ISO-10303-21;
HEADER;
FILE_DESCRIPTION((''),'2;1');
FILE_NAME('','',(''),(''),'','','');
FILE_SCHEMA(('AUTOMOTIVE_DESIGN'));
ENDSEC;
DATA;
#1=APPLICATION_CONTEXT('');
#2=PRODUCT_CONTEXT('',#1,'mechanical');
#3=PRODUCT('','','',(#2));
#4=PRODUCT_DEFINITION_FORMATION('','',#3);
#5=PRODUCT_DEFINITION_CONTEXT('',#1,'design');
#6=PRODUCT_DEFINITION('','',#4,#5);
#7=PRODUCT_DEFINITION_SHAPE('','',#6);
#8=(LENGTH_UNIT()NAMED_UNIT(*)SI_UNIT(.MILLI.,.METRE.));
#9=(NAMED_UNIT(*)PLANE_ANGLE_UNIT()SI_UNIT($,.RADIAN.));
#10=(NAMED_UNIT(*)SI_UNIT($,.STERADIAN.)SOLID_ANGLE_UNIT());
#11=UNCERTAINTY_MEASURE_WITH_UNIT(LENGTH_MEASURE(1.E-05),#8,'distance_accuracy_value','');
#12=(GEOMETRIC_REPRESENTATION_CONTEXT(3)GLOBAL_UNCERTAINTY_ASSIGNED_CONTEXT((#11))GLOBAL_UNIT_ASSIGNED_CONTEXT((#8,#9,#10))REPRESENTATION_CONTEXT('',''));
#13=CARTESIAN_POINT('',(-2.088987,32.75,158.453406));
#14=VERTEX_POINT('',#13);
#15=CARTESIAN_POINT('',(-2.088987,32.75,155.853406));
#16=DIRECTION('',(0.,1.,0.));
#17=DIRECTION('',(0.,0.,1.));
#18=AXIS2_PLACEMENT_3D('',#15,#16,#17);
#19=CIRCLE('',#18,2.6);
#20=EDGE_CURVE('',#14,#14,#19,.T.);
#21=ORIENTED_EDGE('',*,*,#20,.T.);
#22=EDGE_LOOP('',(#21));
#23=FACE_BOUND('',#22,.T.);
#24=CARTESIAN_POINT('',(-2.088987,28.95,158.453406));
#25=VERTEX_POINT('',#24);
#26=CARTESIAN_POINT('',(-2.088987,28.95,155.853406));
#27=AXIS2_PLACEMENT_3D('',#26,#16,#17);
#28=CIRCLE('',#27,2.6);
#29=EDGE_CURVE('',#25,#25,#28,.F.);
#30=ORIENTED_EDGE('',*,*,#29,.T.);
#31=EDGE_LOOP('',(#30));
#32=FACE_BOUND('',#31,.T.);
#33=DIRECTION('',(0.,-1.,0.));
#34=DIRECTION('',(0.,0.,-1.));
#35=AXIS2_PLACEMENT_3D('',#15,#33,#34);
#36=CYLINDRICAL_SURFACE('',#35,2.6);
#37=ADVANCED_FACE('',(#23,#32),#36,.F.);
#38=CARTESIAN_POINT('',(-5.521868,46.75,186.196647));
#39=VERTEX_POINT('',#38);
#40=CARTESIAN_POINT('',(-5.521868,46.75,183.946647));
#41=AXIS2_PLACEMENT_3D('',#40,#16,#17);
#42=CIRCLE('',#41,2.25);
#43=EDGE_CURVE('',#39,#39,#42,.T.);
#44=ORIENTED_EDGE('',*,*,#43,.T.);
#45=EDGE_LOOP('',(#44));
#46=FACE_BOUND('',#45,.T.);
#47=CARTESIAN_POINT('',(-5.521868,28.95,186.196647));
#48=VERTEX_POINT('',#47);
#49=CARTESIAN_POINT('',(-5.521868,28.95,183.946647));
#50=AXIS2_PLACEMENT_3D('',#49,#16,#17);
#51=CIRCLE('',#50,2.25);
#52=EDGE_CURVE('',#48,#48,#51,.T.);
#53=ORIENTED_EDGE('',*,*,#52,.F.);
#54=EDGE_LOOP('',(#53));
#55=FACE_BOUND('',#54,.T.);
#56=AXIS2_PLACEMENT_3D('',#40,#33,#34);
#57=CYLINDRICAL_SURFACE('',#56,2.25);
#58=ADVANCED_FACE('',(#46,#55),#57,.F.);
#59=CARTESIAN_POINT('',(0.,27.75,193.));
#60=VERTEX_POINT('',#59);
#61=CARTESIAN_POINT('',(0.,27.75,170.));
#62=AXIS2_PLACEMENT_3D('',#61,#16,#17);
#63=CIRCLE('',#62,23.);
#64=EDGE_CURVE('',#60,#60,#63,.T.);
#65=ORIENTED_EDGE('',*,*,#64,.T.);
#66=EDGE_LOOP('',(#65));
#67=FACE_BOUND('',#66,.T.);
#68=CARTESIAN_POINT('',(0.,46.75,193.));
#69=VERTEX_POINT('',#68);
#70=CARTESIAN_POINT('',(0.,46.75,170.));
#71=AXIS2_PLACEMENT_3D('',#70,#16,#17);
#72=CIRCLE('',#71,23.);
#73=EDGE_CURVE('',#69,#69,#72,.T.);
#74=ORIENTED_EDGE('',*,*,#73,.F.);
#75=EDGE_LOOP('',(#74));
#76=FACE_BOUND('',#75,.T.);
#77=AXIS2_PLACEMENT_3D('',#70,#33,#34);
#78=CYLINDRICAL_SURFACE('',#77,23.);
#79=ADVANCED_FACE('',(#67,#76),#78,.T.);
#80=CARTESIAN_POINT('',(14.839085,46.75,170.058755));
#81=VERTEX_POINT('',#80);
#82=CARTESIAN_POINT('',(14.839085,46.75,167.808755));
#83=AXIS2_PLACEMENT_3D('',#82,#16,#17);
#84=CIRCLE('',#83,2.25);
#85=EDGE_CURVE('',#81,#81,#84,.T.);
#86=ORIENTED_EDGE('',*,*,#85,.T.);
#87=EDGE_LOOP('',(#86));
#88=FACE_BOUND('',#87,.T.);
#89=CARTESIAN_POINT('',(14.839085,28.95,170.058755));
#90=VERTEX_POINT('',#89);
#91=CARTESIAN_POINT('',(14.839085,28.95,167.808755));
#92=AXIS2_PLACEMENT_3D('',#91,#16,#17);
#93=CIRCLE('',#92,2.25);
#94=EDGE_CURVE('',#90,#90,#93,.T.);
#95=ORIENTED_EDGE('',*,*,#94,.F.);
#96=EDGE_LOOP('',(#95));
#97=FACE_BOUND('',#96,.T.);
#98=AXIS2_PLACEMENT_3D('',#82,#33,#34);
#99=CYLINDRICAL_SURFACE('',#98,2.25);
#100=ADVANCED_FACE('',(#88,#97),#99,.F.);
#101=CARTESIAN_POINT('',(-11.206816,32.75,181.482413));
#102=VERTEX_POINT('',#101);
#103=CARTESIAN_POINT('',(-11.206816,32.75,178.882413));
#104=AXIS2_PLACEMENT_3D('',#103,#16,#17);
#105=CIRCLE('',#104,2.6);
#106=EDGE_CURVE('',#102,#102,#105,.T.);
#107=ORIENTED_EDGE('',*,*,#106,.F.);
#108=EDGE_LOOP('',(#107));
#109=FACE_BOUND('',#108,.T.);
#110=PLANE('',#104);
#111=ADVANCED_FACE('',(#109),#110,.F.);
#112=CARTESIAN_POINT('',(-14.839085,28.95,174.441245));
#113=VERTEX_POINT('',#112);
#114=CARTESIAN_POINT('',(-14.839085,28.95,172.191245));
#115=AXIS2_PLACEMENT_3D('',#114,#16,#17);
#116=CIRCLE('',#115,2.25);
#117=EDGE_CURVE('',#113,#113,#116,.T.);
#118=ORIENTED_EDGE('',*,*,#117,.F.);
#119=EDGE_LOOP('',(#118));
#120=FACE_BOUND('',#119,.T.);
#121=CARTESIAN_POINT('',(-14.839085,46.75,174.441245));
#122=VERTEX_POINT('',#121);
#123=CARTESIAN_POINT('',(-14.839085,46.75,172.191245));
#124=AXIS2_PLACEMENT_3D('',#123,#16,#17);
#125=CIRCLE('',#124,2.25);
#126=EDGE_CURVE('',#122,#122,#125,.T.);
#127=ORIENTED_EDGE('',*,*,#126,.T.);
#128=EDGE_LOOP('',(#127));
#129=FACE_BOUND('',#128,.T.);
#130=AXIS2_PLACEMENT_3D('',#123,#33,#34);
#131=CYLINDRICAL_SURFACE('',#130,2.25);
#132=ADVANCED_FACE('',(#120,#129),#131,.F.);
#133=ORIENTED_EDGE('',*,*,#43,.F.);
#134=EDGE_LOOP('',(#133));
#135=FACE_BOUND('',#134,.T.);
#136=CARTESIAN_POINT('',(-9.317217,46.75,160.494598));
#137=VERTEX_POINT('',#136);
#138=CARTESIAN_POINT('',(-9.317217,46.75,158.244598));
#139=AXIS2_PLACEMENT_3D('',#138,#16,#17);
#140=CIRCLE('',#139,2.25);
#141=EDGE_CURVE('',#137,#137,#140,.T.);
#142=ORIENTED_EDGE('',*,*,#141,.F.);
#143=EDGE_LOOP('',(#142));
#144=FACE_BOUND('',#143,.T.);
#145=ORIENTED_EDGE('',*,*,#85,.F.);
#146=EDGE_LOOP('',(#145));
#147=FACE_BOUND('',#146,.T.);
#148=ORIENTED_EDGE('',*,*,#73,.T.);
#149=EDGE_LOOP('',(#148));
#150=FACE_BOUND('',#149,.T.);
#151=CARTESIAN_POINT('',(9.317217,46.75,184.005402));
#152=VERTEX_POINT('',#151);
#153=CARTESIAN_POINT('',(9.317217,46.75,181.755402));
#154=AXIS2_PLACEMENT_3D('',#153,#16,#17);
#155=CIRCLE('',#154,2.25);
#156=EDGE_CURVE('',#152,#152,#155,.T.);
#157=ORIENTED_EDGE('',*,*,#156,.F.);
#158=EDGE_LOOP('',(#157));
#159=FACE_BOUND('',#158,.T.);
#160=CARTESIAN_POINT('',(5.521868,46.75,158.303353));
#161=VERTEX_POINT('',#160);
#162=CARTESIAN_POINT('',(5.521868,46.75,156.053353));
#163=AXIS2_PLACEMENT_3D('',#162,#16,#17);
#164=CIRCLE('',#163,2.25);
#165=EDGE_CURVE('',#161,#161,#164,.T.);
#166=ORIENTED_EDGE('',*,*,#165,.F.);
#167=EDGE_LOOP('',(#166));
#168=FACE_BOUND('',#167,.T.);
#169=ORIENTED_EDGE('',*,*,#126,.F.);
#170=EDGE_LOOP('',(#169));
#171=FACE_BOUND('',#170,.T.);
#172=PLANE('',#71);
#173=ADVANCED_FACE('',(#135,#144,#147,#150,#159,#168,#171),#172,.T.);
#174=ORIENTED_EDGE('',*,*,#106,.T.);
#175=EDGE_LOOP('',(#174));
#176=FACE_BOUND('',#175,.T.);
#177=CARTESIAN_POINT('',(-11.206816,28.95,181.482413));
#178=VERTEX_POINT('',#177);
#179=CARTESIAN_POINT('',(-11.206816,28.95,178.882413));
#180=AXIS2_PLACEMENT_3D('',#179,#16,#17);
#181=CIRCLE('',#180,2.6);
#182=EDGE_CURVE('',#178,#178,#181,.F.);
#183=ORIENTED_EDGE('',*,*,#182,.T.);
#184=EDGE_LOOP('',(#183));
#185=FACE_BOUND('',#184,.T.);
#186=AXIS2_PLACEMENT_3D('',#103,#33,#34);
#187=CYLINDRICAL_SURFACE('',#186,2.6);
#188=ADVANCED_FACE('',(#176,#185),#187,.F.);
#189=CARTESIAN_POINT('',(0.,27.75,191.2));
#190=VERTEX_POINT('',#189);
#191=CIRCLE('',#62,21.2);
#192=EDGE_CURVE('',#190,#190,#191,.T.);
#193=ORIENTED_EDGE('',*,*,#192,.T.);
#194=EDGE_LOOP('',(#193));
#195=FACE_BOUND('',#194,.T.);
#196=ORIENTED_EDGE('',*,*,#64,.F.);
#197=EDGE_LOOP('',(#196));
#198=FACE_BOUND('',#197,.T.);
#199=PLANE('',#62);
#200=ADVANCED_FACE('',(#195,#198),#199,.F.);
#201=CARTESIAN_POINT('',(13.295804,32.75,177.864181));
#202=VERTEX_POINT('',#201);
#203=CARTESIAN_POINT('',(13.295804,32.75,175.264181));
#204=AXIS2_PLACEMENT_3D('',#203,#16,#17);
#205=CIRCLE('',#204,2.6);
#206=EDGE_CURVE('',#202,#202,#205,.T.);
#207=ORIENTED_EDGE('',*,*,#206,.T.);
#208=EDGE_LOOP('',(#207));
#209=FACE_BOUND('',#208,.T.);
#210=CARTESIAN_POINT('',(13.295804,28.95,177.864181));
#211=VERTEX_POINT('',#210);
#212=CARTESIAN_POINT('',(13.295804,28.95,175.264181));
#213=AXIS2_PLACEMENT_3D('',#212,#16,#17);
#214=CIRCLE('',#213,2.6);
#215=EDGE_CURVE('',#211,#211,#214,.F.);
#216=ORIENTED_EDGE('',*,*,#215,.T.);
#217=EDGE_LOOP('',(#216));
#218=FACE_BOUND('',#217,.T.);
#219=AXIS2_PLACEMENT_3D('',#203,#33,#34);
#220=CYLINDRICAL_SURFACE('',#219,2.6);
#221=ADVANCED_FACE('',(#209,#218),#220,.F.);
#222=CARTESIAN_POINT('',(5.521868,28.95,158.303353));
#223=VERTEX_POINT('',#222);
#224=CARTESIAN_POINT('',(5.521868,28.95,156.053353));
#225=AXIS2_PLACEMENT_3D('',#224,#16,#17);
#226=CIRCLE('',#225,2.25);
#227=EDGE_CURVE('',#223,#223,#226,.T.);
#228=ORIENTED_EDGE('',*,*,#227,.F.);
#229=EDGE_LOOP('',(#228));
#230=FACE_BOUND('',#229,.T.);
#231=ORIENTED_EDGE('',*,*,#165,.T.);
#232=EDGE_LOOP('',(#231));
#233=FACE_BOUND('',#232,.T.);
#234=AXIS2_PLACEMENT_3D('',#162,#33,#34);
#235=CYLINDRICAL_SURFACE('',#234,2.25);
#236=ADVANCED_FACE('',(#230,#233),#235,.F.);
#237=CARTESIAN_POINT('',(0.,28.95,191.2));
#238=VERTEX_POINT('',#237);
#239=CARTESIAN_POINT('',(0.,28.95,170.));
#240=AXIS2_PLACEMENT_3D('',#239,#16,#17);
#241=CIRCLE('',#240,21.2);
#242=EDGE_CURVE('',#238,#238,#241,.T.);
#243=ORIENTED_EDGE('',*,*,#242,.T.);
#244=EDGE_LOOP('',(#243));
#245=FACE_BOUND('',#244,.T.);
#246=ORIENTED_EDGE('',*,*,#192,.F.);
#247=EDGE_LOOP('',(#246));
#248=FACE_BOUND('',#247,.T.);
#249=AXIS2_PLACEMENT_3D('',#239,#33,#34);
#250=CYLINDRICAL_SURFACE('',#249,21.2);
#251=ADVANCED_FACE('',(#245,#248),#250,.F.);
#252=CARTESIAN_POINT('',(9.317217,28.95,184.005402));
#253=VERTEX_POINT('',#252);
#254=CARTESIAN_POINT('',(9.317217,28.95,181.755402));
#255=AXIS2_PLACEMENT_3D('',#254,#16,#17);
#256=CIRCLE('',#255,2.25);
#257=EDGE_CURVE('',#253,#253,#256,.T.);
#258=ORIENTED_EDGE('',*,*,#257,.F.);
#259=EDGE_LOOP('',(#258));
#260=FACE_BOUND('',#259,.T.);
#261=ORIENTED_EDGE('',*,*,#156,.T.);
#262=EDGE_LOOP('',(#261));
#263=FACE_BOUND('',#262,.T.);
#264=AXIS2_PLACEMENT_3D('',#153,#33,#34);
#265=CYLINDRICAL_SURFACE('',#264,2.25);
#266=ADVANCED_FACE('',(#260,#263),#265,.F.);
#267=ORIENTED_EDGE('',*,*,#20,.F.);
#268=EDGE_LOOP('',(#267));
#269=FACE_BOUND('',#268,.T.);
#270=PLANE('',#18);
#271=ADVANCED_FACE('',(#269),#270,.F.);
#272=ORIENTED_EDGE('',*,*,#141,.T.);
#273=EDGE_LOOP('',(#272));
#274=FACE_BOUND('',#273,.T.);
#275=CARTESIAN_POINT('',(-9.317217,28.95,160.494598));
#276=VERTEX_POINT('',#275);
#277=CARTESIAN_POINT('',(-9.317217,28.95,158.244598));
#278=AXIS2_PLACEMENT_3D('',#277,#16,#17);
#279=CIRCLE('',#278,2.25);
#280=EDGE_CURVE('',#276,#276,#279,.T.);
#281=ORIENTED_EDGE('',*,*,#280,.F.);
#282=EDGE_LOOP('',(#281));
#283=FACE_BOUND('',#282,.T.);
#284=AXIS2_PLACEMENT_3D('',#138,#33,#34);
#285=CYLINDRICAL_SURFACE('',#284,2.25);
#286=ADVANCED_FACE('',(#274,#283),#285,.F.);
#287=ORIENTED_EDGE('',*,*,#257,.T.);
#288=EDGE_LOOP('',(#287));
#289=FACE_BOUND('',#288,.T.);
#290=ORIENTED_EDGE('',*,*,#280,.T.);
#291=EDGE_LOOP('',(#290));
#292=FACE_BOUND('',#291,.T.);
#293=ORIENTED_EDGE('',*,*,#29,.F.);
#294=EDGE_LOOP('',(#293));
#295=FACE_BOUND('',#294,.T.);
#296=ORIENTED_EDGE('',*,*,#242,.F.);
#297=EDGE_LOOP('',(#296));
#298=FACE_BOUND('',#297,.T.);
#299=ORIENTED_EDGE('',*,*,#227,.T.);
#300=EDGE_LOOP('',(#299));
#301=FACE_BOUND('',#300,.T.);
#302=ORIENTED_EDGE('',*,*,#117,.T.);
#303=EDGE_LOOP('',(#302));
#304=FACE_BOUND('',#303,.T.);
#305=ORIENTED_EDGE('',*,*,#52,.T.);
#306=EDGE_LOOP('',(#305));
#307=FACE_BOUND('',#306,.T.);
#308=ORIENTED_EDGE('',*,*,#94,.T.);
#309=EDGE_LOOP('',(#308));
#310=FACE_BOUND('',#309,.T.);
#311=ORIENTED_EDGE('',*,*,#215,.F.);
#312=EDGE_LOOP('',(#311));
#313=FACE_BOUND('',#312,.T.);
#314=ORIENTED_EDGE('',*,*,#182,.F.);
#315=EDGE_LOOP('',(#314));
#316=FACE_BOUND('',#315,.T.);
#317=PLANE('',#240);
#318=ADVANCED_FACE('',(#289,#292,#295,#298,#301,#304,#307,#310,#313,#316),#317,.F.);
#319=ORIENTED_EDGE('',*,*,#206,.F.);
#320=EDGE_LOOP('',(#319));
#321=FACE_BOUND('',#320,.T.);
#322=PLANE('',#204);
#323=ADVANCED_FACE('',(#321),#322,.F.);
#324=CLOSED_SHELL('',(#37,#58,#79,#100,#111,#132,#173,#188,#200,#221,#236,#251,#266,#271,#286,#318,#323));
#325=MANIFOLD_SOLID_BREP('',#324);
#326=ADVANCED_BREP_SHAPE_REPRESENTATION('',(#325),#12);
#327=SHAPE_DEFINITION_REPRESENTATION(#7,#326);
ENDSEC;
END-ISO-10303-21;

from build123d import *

# Parameters (mm, degrees)
CUBO_START            = 27.75
SK_CUBO_R             = 23
CUBO_DEPTH            = 19
PASANTES_M4_START     = 27.75
SK_PASANTES_M4_R      = 2.25
PASANTES_M4_DEPTH     = 19
CENTRADOR_D42_START   = 27.75
SK_CENTRADOR_D42_R    = 21.2
CENTRADOR_D42_DEPTH   = 1.2
PASADORES_MOTOR_START = 27.75
SK_PASADORES_MOTOR_R  = 2.6
PASADORES_MOTOR_DEPTH = 5


with BuildPart() as part:
    # Sk_Cubo → Cubo (new body)
    with BuildSketch(Plane(origin=(0, 0, 0), x_dir=(1, 0, 0), z_dir=(0, 1, 0)).offset(CUBO_START)):
        with Locations(Location((0, -170, 0), (0, 0, 270))):
            Circle(SK_CUBO_R)
    extrude(amount=CUBO_DEPTH)

    # Sk_Pasantes_M4 → Pasantes_M4 (cut)
    with BuildSketch(Plane(origin=(0, 0, 0), x_dir=(1, 0, 0), z_dir=(0, 1, 0)).offset(PASANTES_M4_START)):
        with Locations(Location((14.839084994, -167.808754572, 0), (0, 0, 270))):
            Circle(SK_PASANTES_M4_R)
        with Locations(Location((9.317216704, -181.75540186, 0), (0, 0, 270))):
            Circle(SK_PASANTES_M4_R)
        with Locations(Location((-5.52186829, -183.946647288, 0), (0, 0, 270))):
            Circle(SK_PASANTES_M4_R)
        with Locations(Location((-14.839084994, -172.191245428, 0), (0, 0, 270))):
            Circle(SK_PASANTES_M4_R)
        with Locations(Location((-9.317216704, -158.24459814, 0), (0, 0, 270))):
            Circle(SK_PASANTES_M4_R)
        with Locations(Location((5.52186829, -156.053352712, 0), (0, 0, 270))):
            Circle(SK_PASANTES_M4_R)
    extrude(amount=PASANTES_M4_DEPTH, mode=Mode.SUBTRACT)

    # Sk_Centrador_D42 → Centrador_D42 (cut)
    with BuildSketch(Plane(origin=(0, 0, 0), x_dir=(1, 0, 0), z_dir=(0, 1, 0)).offset(CENTRADOR_D42_START)):
        with Locations(Location((0, -170, 0), (0, 0, 270))):
            Circle(SK_CENTRADOR_D42_R)
    extrude(amount=CENTRADOR_D42_DEPTH, mode=Mode.SUBTRACT)

    # Sk_Pasadores_motor → Pasadores_motor (cut)
    with BuildSketch(Plane(origin=(0, 0, 0), x_dir=(1, 0, 0), z_dir=(0, 1, 0)).offset(PASADORES_MOTOR_START)):
        with Locations(Location((13.295803748, -175.264181103, 0), (0, 0, 270))):
            Circle(SK_PASADORES_MOTOR_R)
        with Locations(Location((-11.20681644, -178.882413258, 0), (0, 0, 270))):
            Circle(SK_PASADORES_MOTOR_R)
        with Locations(Location((-2.088987308, -155.853405639, 0), (0, 0, 270))):
            Circle(SK_PASADORES_MOTOR_R)
    extrude(amount=PASADORES_MOTOR_DEPTH, mode=Mode.SUBTRACT)


solid = part.part
